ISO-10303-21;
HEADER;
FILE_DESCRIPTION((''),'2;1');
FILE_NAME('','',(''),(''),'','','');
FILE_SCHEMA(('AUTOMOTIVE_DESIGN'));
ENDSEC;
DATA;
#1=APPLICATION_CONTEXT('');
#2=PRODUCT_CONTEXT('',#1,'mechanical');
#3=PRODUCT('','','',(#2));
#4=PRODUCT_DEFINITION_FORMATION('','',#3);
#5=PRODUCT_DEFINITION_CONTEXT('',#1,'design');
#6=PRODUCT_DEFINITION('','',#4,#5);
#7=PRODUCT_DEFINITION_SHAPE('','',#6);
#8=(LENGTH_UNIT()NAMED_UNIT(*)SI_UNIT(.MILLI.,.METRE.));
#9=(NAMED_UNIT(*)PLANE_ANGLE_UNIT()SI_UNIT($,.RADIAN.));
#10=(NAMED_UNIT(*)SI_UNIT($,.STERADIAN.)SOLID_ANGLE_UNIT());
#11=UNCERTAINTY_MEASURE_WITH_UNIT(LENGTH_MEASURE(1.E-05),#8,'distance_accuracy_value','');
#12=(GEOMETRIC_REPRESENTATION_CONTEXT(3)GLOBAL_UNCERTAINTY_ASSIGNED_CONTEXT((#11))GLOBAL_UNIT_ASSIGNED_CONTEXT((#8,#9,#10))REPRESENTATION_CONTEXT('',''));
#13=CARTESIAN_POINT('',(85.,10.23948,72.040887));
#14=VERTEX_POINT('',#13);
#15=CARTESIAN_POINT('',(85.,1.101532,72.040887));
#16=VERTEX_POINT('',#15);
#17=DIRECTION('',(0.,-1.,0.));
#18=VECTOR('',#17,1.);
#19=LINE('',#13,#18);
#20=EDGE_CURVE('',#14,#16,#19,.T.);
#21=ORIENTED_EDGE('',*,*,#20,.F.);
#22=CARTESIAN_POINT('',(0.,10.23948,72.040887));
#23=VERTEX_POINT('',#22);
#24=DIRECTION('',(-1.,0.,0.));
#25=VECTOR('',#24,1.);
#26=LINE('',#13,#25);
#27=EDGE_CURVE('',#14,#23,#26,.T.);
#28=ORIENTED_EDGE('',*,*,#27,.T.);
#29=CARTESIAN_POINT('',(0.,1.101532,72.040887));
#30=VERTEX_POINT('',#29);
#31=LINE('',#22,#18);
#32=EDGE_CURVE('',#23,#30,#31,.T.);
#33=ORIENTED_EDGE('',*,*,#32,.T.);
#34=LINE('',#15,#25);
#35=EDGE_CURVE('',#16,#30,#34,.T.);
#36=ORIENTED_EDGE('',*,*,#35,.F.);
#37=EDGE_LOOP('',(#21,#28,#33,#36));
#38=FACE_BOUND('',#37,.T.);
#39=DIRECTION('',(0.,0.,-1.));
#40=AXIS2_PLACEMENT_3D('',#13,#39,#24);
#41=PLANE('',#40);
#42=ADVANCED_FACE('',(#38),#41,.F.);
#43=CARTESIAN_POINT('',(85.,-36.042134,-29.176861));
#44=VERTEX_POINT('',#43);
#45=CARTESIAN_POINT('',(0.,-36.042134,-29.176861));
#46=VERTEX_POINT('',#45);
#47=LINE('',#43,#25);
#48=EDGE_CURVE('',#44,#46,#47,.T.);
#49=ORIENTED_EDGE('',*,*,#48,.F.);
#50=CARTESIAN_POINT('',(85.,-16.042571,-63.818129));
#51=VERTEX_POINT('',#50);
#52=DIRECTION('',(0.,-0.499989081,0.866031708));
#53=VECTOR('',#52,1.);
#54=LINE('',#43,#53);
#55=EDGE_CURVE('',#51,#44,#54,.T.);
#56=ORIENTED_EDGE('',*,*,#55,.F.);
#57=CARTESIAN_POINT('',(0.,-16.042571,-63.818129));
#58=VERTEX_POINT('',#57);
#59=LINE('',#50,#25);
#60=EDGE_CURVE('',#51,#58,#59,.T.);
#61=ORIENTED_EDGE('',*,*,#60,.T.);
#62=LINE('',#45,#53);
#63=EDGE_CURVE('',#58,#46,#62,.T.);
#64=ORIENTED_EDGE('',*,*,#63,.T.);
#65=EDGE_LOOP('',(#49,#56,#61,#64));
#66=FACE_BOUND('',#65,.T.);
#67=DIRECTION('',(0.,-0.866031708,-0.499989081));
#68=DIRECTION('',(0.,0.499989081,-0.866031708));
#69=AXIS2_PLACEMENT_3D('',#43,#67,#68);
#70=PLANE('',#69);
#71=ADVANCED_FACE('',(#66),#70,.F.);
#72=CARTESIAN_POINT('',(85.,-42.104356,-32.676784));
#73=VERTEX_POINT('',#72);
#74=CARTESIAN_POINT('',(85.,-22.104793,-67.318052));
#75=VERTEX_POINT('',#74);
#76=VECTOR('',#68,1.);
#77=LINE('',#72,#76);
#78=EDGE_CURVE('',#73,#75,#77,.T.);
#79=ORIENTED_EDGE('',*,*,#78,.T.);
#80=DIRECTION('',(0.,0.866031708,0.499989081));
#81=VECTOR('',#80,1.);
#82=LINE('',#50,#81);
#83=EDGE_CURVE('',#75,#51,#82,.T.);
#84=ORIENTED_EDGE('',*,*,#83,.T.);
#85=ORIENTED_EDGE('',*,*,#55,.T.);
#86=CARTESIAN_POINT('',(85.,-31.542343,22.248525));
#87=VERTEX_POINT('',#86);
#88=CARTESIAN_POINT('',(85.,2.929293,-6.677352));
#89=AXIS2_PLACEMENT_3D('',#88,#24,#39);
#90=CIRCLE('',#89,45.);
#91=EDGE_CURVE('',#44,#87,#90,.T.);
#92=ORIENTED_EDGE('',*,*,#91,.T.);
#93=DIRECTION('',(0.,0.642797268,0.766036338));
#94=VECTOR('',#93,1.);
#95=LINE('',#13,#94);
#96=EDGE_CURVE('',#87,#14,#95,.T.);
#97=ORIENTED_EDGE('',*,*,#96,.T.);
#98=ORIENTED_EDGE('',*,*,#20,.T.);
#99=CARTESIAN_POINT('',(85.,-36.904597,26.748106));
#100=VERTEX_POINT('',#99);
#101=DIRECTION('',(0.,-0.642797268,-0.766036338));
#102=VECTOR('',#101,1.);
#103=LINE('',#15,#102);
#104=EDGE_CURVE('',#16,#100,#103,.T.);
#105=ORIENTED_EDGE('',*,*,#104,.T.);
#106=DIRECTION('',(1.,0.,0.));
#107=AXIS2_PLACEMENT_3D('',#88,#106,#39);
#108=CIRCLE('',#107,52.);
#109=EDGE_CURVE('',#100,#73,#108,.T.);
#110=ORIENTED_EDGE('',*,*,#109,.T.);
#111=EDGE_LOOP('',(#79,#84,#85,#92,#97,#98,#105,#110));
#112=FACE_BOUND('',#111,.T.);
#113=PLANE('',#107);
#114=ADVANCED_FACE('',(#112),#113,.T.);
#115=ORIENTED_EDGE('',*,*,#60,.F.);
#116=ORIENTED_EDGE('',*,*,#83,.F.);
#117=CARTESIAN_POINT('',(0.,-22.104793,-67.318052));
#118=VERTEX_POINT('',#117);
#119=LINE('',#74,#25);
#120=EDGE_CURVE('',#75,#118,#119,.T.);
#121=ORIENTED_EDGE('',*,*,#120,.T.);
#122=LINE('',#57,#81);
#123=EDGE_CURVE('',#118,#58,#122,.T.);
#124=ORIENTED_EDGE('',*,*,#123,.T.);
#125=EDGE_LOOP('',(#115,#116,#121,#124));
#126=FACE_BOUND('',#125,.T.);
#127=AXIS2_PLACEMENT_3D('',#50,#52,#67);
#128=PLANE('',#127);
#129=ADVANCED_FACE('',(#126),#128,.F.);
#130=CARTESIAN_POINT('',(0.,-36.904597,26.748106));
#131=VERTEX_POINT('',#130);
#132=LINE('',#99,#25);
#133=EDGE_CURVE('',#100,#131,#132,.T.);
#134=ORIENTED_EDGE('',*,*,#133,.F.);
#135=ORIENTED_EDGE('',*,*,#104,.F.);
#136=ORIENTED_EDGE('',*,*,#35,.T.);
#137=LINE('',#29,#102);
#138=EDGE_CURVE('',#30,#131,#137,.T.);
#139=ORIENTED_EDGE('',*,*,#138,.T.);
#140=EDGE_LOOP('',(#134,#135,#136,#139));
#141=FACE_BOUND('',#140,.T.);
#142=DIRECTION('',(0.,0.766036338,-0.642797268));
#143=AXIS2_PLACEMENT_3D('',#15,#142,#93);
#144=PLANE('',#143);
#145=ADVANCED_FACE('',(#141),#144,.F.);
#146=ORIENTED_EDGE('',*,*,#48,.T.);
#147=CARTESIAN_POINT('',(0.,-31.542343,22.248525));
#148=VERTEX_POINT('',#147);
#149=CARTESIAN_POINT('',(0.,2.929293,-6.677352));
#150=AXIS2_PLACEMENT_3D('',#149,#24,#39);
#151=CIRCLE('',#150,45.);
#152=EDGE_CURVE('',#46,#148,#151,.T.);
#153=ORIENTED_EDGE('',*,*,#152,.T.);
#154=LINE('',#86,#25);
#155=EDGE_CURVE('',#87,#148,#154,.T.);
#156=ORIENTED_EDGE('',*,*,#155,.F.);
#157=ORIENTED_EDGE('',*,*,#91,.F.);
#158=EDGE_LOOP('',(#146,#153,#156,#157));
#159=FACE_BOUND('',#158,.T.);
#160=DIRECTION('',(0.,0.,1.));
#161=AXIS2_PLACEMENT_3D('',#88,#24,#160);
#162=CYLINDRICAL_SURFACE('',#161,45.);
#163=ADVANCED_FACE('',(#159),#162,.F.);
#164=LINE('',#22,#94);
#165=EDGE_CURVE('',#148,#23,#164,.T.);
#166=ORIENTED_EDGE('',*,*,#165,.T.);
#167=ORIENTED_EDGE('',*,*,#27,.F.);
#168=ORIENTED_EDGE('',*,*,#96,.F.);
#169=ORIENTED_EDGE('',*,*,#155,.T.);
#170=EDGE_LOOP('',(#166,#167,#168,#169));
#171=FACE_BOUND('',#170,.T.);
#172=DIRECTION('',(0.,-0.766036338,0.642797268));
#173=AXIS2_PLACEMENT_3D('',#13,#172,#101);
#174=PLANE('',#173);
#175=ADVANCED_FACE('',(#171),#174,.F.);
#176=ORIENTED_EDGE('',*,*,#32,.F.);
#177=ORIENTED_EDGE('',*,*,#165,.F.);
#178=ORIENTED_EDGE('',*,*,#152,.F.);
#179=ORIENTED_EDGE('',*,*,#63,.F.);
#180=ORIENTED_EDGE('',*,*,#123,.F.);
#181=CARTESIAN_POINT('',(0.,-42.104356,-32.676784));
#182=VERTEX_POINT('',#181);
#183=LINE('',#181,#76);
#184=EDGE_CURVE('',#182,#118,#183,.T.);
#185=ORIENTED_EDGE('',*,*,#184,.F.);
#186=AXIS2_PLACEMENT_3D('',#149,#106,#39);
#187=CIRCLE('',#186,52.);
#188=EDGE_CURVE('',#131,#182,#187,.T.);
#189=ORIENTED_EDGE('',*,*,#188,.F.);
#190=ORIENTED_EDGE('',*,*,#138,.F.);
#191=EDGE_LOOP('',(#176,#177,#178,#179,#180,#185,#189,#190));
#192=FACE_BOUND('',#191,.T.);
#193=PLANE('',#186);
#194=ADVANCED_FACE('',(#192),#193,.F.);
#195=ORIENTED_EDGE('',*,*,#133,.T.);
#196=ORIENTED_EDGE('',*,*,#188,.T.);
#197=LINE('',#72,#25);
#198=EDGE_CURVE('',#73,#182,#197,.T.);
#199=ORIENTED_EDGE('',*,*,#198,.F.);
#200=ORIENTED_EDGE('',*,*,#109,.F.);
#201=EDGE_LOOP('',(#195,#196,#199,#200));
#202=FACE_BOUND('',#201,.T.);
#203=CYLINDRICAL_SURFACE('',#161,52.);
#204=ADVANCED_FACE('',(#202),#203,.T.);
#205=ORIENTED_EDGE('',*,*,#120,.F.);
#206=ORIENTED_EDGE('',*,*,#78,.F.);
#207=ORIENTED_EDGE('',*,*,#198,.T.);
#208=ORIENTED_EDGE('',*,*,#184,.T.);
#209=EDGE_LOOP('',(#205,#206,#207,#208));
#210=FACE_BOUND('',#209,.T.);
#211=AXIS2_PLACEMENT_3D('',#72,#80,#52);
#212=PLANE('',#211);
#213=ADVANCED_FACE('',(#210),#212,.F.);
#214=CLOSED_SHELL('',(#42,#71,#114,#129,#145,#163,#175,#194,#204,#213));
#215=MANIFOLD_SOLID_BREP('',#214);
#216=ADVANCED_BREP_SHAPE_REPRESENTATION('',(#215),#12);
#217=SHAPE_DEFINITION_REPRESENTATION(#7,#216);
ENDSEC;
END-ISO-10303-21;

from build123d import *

# Parameters (mm, degrees)
BOSS_EXTRUDE1_DEPTH = 85


with BuildPart() as part:
    # Sketch1 → Boss-Extrude1 (new body)
    with BuildSketch(Plane(origin=(0, 0, 0), x_dir=(0, 0, -1), z_dir=(1, 0, 0))):
        with BuildLine():
            Line((-72.040887119, 10.239479838), (-22.248525122, -31.542342606))
            ThreePointArc((-22.248525122, -31.542342606), (2.754778304, -41.899419337), (29.176860582, -36.042134238))
            Line((29.176860582, -36.042134238), (63.818128902, -16.042571014))
            Line((63.818128902, -16.042571014), (67.318052467, -22.10479297))
            Line((67.318052467, -22.10479297), (32.676784146, -42.104356194))
            ThreePointArc((32.676784146, -42.104356194), (2.144600181, -48.872774531), (-26.748106001, -36.904596975))
            Line((-26.748106001, -36.904596975), (-72.040887119, 1.101532134))
            Line((-72.040887119, 1.101532134), (-72.040887119, 10.239479838))
        make_face()
    extrude(amount=BOSS_EXTRUDE1_DEPTH)


solid = part.part
